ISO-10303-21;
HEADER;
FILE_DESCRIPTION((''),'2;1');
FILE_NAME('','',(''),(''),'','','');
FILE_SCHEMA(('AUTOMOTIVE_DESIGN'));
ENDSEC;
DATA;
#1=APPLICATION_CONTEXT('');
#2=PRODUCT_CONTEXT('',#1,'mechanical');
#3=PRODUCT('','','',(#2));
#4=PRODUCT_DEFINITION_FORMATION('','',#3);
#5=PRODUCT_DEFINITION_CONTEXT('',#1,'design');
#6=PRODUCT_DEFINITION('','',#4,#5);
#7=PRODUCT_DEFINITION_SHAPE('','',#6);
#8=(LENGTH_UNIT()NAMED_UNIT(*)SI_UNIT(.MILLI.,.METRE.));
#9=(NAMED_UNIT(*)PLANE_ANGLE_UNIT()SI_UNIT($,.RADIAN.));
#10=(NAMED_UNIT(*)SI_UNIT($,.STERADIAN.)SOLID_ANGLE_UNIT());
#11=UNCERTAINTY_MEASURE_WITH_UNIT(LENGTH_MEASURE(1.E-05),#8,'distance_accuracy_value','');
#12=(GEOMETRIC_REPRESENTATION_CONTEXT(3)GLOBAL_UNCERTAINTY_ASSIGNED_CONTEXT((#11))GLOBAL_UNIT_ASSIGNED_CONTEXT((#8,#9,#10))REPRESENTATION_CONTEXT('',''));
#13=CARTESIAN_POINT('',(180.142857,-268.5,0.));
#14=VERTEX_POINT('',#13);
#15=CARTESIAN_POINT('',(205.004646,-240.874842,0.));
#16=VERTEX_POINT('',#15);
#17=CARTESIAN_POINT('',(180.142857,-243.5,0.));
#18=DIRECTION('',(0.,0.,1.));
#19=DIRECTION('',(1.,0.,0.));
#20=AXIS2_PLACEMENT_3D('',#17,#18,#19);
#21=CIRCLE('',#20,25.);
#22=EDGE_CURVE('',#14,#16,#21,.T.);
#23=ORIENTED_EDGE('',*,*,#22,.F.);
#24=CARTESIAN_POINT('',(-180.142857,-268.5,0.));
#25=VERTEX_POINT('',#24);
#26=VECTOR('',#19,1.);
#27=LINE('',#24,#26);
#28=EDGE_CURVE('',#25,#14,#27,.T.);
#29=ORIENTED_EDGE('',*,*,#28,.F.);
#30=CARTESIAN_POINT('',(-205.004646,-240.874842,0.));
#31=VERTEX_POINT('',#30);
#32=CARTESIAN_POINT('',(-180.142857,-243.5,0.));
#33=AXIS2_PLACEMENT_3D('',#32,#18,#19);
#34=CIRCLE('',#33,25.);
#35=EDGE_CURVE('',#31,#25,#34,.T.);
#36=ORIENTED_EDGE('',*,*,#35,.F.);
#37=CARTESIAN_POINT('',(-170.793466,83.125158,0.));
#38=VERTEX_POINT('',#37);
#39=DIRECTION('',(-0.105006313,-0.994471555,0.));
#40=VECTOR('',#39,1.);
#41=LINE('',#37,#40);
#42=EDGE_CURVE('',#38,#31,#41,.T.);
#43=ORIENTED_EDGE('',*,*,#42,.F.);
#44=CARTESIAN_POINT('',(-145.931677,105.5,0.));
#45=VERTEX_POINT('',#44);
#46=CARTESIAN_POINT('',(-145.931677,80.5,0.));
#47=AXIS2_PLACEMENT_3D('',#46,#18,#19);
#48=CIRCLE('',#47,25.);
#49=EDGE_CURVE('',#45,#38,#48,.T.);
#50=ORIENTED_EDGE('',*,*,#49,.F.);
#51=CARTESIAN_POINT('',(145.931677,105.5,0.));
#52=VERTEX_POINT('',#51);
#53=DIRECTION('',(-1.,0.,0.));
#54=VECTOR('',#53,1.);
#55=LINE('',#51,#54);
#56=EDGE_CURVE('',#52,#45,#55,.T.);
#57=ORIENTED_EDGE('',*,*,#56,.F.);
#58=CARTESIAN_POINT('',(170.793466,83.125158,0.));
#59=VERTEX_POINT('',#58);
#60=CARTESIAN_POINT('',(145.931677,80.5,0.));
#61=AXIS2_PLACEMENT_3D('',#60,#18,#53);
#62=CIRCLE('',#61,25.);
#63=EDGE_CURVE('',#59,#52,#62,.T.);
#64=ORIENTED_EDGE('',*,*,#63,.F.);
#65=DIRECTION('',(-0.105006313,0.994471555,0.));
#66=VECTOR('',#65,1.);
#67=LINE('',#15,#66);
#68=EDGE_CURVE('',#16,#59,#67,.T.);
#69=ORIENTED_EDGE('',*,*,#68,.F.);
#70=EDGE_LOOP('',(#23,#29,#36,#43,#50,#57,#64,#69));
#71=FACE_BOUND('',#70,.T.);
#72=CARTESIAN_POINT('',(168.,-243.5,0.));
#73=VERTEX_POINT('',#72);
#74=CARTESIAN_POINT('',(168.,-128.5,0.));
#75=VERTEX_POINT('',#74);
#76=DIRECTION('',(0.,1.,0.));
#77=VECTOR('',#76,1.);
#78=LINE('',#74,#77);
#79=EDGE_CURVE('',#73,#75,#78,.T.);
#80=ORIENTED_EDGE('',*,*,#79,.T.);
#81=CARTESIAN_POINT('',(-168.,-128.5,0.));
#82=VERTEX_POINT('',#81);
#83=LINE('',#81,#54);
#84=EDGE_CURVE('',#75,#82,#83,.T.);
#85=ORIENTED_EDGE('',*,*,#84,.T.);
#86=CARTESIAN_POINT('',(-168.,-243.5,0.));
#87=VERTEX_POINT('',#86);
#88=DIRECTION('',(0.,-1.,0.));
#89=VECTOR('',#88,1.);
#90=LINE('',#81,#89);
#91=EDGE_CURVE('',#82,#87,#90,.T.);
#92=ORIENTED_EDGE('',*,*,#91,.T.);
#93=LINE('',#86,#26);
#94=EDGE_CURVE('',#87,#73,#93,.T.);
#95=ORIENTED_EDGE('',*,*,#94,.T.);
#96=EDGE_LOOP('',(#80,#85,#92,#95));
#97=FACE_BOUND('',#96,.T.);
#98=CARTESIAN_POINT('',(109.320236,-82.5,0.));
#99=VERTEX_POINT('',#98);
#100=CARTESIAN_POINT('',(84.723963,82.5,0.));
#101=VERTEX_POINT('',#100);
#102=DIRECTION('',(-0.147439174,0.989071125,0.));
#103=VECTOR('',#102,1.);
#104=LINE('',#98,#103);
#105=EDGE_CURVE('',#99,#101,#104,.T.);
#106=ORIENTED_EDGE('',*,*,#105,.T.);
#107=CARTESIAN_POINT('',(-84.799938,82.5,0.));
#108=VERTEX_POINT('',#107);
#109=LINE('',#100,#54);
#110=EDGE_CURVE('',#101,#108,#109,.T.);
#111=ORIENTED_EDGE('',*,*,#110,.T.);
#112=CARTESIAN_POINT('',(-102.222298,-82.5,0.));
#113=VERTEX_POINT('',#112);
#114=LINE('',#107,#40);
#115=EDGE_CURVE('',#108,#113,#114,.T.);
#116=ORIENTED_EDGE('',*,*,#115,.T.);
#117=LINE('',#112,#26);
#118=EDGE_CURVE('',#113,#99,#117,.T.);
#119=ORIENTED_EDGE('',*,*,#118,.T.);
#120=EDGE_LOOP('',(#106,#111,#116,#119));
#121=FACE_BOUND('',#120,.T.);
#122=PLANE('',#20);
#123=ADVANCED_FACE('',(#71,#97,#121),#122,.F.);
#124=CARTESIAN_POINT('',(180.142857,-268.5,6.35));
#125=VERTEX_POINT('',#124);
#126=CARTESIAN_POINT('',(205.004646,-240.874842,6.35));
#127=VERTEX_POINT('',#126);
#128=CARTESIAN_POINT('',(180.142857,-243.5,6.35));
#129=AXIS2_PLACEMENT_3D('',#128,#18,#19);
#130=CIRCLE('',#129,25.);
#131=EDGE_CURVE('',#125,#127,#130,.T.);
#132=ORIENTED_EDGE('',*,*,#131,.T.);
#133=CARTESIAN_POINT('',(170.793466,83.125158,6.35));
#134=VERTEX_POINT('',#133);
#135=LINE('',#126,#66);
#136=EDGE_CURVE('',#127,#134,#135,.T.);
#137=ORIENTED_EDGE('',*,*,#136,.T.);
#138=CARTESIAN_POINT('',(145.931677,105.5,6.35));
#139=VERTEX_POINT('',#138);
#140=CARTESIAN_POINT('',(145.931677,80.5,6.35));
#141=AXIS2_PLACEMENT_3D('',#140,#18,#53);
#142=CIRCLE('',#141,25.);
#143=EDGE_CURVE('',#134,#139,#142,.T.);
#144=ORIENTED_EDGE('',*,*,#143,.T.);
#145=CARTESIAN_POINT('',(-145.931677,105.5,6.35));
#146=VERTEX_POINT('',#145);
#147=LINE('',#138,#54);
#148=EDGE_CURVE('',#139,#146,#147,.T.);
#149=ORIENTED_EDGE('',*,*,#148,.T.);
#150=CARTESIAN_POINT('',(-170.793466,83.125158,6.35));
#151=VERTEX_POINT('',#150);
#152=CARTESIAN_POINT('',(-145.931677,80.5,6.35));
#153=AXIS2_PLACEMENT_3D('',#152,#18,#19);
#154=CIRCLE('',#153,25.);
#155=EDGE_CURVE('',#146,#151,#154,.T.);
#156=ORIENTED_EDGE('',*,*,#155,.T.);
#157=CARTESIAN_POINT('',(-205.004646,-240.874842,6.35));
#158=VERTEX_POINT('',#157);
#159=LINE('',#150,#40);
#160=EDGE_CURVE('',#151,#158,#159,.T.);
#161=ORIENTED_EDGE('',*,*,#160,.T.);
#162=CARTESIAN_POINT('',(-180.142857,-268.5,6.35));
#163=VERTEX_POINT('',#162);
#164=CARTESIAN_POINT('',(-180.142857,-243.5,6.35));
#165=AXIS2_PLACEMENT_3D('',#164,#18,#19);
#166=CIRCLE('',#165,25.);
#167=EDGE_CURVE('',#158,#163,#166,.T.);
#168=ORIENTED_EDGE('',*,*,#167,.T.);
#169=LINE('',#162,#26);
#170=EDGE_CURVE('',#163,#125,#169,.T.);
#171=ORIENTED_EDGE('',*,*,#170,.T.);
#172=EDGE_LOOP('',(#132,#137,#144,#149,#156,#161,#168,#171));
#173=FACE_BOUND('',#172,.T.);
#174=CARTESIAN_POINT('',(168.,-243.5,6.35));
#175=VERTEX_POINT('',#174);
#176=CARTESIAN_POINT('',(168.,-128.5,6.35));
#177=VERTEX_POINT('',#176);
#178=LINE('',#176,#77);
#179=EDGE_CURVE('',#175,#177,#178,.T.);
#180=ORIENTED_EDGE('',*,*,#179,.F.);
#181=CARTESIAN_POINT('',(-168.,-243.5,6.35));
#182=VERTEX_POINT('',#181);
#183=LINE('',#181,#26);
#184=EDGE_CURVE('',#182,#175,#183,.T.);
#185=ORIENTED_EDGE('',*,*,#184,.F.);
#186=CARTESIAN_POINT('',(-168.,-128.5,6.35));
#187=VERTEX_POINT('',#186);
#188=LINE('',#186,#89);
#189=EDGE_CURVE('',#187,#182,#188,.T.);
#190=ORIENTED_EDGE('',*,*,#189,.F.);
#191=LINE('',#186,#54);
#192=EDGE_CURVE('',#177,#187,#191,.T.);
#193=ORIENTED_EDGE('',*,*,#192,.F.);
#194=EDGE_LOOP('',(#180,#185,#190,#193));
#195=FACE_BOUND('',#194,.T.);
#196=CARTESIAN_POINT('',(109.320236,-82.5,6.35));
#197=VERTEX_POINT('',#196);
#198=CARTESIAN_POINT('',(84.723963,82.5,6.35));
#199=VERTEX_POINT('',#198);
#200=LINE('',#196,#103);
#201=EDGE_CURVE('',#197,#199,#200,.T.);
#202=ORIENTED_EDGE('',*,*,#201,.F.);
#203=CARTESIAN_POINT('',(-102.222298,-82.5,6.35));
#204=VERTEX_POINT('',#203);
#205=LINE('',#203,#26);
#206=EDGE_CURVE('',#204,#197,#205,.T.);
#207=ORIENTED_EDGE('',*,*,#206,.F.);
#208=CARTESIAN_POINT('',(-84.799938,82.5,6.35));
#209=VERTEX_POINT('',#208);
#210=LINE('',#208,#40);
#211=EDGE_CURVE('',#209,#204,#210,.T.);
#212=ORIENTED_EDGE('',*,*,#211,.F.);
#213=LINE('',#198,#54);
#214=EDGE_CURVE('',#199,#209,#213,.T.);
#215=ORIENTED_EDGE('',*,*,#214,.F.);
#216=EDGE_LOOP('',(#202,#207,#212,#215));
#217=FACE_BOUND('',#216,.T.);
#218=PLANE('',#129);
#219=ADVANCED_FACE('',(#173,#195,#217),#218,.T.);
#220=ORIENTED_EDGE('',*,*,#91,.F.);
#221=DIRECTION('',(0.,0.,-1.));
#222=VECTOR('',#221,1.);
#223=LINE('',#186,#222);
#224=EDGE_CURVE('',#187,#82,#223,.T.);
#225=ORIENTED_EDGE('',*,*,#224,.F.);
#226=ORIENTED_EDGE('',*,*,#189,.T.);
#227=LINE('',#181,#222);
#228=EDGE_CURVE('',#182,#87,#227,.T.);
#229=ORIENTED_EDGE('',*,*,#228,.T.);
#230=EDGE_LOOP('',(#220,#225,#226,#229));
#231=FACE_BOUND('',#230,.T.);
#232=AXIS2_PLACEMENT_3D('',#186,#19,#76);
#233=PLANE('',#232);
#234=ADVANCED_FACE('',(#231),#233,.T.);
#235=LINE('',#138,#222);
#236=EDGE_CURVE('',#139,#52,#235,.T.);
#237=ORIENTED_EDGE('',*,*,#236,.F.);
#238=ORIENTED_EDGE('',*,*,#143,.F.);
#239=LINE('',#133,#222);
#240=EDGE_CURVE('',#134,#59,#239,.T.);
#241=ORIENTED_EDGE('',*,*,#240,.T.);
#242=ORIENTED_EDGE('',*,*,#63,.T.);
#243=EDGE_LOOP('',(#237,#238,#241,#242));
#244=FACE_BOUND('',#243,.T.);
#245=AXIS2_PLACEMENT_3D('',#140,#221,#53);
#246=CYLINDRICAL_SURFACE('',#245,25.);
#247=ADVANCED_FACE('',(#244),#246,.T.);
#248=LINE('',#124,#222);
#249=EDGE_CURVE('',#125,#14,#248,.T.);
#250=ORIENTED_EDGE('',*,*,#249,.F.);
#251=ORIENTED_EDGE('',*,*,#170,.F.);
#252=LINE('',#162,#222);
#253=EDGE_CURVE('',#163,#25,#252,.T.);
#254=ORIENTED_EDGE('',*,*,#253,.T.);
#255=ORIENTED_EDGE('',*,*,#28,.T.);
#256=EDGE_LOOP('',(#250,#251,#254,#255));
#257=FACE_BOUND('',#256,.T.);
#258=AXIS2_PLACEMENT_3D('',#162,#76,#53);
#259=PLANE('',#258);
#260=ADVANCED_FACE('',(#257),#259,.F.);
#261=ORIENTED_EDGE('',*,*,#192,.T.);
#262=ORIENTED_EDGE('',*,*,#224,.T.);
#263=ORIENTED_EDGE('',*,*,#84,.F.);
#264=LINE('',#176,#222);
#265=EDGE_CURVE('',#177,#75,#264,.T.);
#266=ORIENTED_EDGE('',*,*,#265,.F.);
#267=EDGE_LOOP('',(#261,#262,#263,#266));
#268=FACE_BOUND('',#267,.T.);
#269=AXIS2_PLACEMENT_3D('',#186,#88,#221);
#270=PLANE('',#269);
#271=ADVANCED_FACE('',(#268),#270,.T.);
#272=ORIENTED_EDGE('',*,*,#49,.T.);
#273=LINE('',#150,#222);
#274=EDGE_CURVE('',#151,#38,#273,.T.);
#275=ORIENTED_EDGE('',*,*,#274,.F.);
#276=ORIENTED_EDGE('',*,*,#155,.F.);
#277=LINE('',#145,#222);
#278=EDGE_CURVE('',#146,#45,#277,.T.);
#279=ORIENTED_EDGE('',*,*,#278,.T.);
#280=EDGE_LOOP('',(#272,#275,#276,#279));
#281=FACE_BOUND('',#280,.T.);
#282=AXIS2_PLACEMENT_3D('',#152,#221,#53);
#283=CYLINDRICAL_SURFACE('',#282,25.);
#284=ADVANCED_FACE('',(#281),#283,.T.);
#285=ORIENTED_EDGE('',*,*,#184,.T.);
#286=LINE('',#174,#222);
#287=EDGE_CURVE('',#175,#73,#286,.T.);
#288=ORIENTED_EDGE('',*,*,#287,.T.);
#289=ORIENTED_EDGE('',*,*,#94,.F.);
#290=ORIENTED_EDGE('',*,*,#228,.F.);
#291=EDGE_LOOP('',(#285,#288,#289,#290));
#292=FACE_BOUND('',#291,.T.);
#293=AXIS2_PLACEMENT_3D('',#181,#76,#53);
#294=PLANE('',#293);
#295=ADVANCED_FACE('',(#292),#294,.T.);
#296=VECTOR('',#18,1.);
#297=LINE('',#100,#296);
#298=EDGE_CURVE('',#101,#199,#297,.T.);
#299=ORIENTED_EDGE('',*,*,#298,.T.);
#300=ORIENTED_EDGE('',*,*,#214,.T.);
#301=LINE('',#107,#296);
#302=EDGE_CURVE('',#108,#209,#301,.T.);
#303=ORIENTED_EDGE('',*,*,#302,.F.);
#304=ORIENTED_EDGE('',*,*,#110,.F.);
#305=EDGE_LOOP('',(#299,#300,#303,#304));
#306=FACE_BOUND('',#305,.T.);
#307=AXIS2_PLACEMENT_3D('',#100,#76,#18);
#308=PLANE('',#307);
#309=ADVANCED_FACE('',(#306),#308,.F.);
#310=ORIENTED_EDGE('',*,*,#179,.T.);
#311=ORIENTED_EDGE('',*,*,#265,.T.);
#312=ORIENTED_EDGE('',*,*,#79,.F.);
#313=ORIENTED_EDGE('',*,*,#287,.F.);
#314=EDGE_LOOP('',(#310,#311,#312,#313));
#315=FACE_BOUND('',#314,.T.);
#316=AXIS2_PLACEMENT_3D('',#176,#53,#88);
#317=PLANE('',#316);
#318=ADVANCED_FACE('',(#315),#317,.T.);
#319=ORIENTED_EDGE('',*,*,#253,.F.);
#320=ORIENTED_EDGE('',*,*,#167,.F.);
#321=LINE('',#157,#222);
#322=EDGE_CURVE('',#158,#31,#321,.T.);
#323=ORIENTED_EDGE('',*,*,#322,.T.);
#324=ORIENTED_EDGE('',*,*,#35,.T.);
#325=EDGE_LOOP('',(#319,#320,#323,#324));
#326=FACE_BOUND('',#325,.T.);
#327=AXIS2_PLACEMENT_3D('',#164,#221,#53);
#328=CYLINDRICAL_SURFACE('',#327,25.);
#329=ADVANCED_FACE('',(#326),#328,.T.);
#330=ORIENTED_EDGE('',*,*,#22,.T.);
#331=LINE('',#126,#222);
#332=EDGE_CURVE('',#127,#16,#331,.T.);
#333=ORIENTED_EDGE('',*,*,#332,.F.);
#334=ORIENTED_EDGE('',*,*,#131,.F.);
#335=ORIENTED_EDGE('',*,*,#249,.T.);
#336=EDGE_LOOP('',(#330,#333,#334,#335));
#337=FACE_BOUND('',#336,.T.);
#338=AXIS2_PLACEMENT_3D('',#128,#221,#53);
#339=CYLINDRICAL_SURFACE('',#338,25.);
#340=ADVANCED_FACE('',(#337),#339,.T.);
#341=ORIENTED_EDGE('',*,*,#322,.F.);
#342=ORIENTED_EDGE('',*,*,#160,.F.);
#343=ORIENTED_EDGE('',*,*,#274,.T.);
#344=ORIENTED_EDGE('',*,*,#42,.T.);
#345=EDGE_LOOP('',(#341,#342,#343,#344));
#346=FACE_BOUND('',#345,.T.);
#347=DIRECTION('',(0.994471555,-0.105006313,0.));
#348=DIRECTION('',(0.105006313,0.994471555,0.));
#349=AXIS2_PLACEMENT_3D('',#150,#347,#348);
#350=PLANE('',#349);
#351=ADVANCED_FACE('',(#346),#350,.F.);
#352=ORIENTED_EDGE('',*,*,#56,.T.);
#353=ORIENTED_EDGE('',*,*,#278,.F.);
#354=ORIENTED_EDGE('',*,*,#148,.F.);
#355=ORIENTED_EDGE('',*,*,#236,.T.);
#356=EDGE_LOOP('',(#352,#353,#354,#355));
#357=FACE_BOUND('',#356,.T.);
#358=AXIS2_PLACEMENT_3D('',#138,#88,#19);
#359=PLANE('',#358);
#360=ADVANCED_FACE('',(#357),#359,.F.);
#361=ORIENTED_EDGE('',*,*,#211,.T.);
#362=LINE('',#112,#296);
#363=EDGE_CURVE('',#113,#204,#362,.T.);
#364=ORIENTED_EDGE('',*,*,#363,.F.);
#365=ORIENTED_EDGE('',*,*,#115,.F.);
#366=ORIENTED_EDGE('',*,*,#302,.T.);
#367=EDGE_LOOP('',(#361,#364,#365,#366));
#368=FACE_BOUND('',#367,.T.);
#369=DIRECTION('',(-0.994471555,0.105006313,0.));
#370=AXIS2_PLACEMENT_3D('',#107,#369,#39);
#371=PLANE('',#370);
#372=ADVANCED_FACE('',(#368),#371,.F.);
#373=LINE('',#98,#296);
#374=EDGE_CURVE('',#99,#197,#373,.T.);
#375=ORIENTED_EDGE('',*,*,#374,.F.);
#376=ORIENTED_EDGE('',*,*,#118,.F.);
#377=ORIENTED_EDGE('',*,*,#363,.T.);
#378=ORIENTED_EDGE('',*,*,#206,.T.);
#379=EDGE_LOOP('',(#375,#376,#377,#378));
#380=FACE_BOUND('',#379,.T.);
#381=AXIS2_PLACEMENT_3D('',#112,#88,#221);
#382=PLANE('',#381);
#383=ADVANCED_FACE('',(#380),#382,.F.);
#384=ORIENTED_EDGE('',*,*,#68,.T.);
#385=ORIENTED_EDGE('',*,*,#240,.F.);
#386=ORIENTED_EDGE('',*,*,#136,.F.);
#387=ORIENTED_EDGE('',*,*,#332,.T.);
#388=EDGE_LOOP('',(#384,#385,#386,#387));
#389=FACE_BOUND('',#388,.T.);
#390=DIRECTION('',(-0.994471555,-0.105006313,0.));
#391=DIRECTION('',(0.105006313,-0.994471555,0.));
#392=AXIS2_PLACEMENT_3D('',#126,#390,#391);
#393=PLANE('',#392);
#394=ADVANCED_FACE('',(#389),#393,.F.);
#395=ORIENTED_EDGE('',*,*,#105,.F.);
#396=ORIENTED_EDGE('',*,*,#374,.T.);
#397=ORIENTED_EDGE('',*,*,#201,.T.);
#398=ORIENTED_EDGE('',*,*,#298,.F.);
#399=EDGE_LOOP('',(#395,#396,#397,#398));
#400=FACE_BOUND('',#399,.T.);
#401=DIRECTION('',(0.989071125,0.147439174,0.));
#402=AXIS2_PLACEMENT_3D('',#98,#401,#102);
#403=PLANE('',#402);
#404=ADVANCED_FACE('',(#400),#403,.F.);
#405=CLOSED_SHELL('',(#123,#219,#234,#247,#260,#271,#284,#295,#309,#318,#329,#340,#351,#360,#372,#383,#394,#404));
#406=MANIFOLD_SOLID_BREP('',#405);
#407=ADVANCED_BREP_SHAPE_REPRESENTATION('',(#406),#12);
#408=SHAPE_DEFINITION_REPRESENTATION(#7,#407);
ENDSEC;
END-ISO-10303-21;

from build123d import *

# Parameters (mm, degrees)
SKETCH1_W           = 336
SKETCH1_H           = 115
BOSS_EXTRUDE1_DEPTH = 6.35
CUT_EXTRUDE1_DEPTH  = 6.35


with BuildPart() as part:
    # Sketch1 → Boss-Extrude1 (new body)
    with BuildSketch(Plane.XY):
        with BuildLine():
            Line((145.931677019, 105.5), (-145.931677019, 105.5))
            ThreePointArc((-145.931677019, 105.5), (-162.655478234, 99.082639019), (-170.793465899, 83.125157832))
            Line((-170.793465899, 83.125157832), (-205.004646024, -240.874842168))
            ThreePointArc((-205.004646024, -240.874842168), (-198.725496162, -260.223801216), (-180.142857143, -268.5))
            Line((-180.142857143, -268.5), (180.142857143, -268.5))
            ThreePointArc((180.142857143, -268.5), (198.725496162, -260.223801216), (205.004646024, -240.874842168))
            Line((205.004646024, -240.874842168), (170.793465899, 83.125157832))
            ThreePointArc((170.793465899, 83.125157832), (162.655478234, 99.082639019), (145.931677019, 105.5))
        make_face()
        Polygon((-83, 80.5), (83, 80.5), (107, -80.5), (-100, -80.5), align=None, mode=Mode.SUBTRACT)
        with Locations((0, -186)):
            Rectangle(SKETCH1_W, SKETCH1_H, mode=Mode.SUBTRACT)
    extrude(amount=BOSS_EXTRUDE1_DEPTH)

    # Sketch2 → Cut-Extrude1 (cut)
    with BuildSketch(Plane.XY.offset(6.35)):
        Polygon((-102.222298481, -82.5), (109.320235916, -82.5), (84.723962625, 82.5), (-84.799938233, 82.5), align=None)
    extrude(amount=-CUT_EXTRUDE1_DEPTH, mode=Mode.SUBTRACT)


solid = part.part
